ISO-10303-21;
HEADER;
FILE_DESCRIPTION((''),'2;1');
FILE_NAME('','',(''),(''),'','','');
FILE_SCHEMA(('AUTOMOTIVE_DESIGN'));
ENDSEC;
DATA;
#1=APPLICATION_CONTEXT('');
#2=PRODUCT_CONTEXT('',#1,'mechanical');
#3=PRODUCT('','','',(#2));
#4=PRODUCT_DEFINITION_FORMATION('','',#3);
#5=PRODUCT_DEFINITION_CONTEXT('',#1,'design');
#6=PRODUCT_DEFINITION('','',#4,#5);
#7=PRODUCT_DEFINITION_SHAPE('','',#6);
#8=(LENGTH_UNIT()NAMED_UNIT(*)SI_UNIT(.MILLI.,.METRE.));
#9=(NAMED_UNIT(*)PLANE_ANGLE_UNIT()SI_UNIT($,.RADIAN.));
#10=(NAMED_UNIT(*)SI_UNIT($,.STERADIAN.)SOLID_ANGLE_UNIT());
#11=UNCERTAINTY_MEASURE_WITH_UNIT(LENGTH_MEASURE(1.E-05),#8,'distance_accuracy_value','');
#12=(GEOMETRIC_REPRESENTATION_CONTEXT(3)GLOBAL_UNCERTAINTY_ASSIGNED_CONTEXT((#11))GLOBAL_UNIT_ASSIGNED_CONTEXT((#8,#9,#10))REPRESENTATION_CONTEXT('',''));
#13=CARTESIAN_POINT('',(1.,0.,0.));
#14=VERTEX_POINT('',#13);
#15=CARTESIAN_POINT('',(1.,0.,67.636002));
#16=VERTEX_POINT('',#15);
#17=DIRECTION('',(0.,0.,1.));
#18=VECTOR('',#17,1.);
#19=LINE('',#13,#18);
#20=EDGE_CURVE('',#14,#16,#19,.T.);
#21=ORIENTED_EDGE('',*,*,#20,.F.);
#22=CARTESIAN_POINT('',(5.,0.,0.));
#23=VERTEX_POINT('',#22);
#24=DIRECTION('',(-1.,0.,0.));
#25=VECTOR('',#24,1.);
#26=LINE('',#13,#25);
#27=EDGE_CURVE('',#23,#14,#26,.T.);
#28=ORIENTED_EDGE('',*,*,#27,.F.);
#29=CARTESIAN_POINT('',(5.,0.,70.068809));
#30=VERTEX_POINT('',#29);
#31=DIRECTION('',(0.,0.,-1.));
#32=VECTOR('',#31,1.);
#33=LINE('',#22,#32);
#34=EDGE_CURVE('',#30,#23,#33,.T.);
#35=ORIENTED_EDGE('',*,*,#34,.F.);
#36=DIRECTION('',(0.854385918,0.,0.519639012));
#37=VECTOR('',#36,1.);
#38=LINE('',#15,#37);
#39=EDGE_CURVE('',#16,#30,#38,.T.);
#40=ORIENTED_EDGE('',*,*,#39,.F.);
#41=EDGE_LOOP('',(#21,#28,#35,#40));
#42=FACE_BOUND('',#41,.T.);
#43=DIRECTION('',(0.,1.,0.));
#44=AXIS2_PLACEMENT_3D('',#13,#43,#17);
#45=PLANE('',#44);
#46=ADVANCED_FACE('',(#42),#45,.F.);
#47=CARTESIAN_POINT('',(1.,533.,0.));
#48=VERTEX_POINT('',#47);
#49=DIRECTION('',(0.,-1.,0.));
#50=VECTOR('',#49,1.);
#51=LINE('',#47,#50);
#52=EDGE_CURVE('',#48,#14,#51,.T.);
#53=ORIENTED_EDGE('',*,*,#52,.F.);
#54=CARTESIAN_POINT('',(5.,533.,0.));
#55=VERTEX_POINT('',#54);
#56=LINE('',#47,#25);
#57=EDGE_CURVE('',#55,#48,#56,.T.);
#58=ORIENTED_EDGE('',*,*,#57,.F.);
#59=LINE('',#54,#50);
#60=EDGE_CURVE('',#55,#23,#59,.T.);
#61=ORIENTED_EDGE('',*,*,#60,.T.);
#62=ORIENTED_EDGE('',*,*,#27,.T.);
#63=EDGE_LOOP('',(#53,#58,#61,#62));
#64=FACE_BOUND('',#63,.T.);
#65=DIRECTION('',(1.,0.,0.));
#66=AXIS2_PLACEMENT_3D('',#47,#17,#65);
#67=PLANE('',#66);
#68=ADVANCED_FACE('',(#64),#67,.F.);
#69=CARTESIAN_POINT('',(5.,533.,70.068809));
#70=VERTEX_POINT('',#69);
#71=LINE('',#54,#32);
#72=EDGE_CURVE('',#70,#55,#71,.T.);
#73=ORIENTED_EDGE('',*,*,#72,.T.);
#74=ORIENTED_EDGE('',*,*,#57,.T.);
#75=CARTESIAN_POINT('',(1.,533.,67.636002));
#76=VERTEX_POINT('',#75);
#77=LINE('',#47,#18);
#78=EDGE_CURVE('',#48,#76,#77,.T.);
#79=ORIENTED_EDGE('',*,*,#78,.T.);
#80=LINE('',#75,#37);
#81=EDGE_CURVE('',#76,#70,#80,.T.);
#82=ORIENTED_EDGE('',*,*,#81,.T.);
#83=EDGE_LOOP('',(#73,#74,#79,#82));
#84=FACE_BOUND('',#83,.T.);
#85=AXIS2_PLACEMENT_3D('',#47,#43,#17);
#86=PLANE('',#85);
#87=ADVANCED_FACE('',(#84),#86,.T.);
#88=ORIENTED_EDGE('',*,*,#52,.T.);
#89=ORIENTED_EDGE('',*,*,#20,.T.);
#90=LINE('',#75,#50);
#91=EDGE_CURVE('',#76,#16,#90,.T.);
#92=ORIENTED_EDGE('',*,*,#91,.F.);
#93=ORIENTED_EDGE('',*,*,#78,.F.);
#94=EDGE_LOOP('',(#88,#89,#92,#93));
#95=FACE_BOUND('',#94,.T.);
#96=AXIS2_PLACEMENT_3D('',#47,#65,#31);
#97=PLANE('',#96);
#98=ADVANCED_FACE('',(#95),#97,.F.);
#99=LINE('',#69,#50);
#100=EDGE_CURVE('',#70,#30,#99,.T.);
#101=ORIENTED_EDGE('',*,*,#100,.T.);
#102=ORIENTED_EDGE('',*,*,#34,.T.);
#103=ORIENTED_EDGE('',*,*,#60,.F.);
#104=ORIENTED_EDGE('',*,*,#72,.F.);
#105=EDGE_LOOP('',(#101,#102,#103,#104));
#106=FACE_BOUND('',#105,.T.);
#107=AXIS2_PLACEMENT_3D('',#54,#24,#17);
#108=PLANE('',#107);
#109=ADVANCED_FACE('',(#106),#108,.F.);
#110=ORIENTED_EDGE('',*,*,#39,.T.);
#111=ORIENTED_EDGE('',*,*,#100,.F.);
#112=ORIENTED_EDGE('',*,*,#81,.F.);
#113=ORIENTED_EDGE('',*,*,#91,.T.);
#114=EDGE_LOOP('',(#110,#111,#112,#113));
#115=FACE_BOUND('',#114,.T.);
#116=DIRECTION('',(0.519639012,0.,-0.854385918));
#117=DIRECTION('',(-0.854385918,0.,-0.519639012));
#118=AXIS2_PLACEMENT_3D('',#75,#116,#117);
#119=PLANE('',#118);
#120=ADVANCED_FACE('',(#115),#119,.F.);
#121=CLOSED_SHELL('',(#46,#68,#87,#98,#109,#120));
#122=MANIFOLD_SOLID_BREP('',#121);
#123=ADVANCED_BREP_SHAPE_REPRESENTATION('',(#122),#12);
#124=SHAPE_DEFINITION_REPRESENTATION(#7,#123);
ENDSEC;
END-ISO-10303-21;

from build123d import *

# Parameters (mm, degrees)
EXTRUDE_1_DEPTH = 533


with BuildPart() as part:
    # Эскиз1 → Вытянуть1 (new body)
    with BuildSketch(Plane(origin=(0, 0, 0), x_dir=(1, 0, 0), z_dir=(0, 1, 0))):
        Polygon((1, 0), (5, 0), (5, -70.068808523), (1, -67.636001514), align=None)
    extrude(amount=EXTRUDE_1_DEPTH)


solid = part.part
